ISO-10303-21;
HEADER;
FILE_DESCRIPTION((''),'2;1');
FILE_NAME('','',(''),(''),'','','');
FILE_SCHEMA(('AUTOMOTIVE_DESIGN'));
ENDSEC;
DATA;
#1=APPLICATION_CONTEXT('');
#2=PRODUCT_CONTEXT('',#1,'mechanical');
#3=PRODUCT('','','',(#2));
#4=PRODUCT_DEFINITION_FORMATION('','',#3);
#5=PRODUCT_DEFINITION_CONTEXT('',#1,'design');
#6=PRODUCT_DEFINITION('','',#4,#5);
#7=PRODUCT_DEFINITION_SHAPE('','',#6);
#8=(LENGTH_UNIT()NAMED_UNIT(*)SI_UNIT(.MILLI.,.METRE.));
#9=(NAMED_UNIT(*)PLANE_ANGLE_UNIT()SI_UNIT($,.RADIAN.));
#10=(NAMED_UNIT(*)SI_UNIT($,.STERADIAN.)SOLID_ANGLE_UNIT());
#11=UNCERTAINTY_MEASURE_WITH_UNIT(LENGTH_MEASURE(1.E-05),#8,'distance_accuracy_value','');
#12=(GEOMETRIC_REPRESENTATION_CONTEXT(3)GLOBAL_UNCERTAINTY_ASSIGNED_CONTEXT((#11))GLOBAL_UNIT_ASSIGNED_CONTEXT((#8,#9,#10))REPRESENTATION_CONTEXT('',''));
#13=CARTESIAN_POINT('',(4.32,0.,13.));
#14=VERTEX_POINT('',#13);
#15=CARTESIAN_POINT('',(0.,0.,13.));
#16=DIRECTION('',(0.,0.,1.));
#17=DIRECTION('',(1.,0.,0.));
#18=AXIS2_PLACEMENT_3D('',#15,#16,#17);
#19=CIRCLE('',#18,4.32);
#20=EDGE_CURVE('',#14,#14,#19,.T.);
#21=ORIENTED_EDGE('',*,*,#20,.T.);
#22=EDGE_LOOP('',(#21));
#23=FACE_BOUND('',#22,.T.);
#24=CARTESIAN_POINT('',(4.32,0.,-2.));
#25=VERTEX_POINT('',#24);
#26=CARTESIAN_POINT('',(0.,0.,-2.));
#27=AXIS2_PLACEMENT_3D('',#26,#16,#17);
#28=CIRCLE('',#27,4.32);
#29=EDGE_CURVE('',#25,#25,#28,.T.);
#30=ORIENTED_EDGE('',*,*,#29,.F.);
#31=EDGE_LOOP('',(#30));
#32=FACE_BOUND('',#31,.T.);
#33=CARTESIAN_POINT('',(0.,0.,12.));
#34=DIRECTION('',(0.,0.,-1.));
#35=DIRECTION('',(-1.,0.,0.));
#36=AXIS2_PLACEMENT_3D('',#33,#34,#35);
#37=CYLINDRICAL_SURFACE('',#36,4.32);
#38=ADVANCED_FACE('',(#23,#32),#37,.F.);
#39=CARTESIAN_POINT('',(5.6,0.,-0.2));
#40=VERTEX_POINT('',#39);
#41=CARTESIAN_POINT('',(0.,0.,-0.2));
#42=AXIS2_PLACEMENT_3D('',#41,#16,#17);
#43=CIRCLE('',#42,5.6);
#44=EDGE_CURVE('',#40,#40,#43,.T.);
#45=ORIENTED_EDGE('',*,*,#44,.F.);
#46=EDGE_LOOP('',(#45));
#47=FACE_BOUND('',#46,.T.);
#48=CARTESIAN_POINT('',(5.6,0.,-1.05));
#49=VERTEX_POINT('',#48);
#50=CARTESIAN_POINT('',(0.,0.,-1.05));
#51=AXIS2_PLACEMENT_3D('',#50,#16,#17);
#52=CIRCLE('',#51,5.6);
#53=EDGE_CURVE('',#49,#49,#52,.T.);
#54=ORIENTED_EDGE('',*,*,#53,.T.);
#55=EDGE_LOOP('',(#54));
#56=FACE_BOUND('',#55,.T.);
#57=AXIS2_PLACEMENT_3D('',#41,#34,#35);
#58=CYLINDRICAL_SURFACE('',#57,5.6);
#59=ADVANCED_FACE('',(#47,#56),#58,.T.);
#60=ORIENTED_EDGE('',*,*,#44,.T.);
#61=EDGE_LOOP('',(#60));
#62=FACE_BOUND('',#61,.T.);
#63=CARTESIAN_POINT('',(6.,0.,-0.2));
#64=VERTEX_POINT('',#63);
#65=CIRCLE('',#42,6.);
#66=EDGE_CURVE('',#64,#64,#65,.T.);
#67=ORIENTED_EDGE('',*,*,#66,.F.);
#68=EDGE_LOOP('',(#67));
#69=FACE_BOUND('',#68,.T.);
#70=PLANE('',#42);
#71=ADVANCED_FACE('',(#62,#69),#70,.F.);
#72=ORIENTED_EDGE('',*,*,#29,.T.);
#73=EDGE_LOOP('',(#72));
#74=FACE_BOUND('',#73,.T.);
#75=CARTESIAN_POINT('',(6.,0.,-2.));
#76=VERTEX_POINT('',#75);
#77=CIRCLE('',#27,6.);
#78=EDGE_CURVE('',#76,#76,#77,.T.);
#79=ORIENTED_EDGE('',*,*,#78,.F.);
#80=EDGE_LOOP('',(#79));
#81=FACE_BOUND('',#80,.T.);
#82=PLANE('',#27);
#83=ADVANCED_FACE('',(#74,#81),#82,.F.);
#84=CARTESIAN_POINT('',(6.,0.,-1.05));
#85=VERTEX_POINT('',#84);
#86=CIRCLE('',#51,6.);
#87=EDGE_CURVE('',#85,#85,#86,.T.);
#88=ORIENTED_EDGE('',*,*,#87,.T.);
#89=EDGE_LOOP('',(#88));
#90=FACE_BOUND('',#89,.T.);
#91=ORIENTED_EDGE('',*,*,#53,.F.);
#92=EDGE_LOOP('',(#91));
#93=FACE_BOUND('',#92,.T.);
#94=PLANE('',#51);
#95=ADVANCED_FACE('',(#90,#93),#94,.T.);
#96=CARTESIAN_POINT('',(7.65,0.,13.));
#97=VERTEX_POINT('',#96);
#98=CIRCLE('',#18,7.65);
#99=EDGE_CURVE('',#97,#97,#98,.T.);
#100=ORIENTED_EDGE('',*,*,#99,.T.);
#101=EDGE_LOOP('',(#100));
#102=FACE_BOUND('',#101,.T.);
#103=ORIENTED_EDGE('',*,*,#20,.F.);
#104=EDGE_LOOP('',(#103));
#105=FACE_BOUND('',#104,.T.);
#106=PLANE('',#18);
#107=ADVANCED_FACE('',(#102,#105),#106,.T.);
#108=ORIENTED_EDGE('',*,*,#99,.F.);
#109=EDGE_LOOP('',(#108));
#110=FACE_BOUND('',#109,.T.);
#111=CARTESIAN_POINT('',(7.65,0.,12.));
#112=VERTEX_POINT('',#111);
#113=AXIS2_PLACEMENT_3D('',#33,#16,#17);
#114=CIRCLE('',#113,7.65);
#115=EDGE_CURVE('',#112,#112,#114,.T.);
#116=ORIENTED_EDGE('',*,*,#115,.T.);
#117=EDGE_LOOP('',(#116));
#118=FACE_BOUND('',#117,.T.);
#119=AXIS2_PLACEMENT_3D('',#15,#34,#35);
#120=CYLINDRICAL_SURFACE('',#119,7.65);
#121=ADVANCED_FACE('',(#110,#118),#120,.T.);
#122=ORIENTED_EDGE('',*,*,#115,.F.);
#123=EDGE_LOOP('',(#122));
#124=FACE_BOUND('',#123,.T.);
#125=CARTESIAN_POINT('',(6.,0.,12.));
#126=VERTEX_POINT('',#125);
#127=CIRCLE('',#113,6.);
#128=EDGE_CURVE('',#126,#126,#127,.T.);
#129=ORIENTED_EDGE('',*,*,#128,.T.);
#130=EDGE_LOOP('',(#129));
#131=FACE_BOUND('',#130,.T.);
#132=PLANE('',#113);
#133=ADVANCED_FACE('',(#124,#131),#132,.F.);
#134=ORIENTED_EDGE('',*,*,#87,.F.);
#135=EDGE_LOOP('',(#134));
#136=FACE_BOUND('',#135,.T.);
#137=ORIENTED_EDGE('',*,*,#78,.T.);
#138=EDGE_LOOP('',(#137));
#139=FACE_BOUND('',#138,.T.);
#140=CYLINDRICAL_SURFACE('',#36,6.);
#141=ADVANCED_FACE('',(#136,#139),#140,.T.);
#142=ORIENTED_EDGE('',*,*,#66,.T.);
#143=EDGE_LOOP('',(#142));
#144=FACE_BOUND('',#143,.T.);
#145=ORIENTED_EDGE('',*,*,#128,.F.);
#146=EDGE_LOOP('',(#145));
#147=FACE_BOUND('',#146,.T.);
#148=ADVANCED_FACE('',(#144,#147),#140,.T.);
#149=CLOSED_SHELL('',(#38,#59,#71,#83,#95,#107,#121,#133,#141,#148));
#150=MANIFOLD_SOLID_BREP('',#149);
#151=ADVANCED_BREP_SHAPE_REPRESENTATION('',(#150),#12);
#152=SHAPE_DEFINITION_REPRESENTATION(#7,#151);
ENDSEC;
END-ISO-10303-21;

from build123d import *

# Parameters (mm, degrees)
F_01_START                                = -2
S01_GROUND_GUIDE_BORE_AND_BODY_R          = 6
S01_GROUND_GUIDE_BORE_AND_BODY_R_2        = 4.32
F_01_GROUND_GUIDE_BORE_AND_BODY_DEPTH     = 14
F_02_START                                = 12
S02_OUTBOARD_FLANGE_R                     = 7.65
S02_OUTBOARD_FLANGE_R_2                   = 4.32
F_02_OUTBOARD_FLANGE_DEPTH                = 1
F_03_START                                = -1.05
S03_EXTERNAL_RETAINING_RING_GROOVE_R      = 6.1
S03_EXTERNAL_RETAINING_RING_GROOVE_R_2    = 5.6
F_03_EXTERNAL_RETAINING_RING_GROOVE_DEPTH = 0.85


with BuildPart() as part:
    # S01 - Ground guide bore and body → 01 - Ground guide bore and body (new body)
    with BuildSketch(Plane.XY.offset(F_01_START)):
        Circle(S01_GROUND_GUIDE_BORE_AND_BODY_R)
        Circle(S01_GROUND_GUIDE_BORE_AND_BODY_R_2, mode=Mode.SUBTRACT)
    extrude(amount=F_01_GROUND_GUIDE_BORE_AND_BODY_DEPTH)

    # S02 - Outboard flange → 02 - Outboard flange (add)
    with BuildSketch(Plane.XY.offset(F_02_START)):
        Circle(S02_OUTBOARD_FLANGE_R)
        Circle(S02_OUTBOARD_FLANGE_R_2, mode=Mode.SUBTRACT)
    extrude(amount=F_02_OUTBOARD_FLANGE_DEPTH)

    # S03 - External retaining ring groove → 03 - External retaining ring groove (cut)
    with BuildSketch(Plane.XY.offset(F_03_START)):
        Circle(S03_EXTERNAL_RETAINING_RING_GROOVE_R)
        Circle(S03_EXTERNAL_RETAINING_RING_GROOVE_R_2, mode=Mode.SUBTRACT)
    extrude(amount=F_03_EXTERNAL_RETAINING_RING_GROOVE_DEPTH, mode=Mode.SUBTRACT)


solid = part.part
